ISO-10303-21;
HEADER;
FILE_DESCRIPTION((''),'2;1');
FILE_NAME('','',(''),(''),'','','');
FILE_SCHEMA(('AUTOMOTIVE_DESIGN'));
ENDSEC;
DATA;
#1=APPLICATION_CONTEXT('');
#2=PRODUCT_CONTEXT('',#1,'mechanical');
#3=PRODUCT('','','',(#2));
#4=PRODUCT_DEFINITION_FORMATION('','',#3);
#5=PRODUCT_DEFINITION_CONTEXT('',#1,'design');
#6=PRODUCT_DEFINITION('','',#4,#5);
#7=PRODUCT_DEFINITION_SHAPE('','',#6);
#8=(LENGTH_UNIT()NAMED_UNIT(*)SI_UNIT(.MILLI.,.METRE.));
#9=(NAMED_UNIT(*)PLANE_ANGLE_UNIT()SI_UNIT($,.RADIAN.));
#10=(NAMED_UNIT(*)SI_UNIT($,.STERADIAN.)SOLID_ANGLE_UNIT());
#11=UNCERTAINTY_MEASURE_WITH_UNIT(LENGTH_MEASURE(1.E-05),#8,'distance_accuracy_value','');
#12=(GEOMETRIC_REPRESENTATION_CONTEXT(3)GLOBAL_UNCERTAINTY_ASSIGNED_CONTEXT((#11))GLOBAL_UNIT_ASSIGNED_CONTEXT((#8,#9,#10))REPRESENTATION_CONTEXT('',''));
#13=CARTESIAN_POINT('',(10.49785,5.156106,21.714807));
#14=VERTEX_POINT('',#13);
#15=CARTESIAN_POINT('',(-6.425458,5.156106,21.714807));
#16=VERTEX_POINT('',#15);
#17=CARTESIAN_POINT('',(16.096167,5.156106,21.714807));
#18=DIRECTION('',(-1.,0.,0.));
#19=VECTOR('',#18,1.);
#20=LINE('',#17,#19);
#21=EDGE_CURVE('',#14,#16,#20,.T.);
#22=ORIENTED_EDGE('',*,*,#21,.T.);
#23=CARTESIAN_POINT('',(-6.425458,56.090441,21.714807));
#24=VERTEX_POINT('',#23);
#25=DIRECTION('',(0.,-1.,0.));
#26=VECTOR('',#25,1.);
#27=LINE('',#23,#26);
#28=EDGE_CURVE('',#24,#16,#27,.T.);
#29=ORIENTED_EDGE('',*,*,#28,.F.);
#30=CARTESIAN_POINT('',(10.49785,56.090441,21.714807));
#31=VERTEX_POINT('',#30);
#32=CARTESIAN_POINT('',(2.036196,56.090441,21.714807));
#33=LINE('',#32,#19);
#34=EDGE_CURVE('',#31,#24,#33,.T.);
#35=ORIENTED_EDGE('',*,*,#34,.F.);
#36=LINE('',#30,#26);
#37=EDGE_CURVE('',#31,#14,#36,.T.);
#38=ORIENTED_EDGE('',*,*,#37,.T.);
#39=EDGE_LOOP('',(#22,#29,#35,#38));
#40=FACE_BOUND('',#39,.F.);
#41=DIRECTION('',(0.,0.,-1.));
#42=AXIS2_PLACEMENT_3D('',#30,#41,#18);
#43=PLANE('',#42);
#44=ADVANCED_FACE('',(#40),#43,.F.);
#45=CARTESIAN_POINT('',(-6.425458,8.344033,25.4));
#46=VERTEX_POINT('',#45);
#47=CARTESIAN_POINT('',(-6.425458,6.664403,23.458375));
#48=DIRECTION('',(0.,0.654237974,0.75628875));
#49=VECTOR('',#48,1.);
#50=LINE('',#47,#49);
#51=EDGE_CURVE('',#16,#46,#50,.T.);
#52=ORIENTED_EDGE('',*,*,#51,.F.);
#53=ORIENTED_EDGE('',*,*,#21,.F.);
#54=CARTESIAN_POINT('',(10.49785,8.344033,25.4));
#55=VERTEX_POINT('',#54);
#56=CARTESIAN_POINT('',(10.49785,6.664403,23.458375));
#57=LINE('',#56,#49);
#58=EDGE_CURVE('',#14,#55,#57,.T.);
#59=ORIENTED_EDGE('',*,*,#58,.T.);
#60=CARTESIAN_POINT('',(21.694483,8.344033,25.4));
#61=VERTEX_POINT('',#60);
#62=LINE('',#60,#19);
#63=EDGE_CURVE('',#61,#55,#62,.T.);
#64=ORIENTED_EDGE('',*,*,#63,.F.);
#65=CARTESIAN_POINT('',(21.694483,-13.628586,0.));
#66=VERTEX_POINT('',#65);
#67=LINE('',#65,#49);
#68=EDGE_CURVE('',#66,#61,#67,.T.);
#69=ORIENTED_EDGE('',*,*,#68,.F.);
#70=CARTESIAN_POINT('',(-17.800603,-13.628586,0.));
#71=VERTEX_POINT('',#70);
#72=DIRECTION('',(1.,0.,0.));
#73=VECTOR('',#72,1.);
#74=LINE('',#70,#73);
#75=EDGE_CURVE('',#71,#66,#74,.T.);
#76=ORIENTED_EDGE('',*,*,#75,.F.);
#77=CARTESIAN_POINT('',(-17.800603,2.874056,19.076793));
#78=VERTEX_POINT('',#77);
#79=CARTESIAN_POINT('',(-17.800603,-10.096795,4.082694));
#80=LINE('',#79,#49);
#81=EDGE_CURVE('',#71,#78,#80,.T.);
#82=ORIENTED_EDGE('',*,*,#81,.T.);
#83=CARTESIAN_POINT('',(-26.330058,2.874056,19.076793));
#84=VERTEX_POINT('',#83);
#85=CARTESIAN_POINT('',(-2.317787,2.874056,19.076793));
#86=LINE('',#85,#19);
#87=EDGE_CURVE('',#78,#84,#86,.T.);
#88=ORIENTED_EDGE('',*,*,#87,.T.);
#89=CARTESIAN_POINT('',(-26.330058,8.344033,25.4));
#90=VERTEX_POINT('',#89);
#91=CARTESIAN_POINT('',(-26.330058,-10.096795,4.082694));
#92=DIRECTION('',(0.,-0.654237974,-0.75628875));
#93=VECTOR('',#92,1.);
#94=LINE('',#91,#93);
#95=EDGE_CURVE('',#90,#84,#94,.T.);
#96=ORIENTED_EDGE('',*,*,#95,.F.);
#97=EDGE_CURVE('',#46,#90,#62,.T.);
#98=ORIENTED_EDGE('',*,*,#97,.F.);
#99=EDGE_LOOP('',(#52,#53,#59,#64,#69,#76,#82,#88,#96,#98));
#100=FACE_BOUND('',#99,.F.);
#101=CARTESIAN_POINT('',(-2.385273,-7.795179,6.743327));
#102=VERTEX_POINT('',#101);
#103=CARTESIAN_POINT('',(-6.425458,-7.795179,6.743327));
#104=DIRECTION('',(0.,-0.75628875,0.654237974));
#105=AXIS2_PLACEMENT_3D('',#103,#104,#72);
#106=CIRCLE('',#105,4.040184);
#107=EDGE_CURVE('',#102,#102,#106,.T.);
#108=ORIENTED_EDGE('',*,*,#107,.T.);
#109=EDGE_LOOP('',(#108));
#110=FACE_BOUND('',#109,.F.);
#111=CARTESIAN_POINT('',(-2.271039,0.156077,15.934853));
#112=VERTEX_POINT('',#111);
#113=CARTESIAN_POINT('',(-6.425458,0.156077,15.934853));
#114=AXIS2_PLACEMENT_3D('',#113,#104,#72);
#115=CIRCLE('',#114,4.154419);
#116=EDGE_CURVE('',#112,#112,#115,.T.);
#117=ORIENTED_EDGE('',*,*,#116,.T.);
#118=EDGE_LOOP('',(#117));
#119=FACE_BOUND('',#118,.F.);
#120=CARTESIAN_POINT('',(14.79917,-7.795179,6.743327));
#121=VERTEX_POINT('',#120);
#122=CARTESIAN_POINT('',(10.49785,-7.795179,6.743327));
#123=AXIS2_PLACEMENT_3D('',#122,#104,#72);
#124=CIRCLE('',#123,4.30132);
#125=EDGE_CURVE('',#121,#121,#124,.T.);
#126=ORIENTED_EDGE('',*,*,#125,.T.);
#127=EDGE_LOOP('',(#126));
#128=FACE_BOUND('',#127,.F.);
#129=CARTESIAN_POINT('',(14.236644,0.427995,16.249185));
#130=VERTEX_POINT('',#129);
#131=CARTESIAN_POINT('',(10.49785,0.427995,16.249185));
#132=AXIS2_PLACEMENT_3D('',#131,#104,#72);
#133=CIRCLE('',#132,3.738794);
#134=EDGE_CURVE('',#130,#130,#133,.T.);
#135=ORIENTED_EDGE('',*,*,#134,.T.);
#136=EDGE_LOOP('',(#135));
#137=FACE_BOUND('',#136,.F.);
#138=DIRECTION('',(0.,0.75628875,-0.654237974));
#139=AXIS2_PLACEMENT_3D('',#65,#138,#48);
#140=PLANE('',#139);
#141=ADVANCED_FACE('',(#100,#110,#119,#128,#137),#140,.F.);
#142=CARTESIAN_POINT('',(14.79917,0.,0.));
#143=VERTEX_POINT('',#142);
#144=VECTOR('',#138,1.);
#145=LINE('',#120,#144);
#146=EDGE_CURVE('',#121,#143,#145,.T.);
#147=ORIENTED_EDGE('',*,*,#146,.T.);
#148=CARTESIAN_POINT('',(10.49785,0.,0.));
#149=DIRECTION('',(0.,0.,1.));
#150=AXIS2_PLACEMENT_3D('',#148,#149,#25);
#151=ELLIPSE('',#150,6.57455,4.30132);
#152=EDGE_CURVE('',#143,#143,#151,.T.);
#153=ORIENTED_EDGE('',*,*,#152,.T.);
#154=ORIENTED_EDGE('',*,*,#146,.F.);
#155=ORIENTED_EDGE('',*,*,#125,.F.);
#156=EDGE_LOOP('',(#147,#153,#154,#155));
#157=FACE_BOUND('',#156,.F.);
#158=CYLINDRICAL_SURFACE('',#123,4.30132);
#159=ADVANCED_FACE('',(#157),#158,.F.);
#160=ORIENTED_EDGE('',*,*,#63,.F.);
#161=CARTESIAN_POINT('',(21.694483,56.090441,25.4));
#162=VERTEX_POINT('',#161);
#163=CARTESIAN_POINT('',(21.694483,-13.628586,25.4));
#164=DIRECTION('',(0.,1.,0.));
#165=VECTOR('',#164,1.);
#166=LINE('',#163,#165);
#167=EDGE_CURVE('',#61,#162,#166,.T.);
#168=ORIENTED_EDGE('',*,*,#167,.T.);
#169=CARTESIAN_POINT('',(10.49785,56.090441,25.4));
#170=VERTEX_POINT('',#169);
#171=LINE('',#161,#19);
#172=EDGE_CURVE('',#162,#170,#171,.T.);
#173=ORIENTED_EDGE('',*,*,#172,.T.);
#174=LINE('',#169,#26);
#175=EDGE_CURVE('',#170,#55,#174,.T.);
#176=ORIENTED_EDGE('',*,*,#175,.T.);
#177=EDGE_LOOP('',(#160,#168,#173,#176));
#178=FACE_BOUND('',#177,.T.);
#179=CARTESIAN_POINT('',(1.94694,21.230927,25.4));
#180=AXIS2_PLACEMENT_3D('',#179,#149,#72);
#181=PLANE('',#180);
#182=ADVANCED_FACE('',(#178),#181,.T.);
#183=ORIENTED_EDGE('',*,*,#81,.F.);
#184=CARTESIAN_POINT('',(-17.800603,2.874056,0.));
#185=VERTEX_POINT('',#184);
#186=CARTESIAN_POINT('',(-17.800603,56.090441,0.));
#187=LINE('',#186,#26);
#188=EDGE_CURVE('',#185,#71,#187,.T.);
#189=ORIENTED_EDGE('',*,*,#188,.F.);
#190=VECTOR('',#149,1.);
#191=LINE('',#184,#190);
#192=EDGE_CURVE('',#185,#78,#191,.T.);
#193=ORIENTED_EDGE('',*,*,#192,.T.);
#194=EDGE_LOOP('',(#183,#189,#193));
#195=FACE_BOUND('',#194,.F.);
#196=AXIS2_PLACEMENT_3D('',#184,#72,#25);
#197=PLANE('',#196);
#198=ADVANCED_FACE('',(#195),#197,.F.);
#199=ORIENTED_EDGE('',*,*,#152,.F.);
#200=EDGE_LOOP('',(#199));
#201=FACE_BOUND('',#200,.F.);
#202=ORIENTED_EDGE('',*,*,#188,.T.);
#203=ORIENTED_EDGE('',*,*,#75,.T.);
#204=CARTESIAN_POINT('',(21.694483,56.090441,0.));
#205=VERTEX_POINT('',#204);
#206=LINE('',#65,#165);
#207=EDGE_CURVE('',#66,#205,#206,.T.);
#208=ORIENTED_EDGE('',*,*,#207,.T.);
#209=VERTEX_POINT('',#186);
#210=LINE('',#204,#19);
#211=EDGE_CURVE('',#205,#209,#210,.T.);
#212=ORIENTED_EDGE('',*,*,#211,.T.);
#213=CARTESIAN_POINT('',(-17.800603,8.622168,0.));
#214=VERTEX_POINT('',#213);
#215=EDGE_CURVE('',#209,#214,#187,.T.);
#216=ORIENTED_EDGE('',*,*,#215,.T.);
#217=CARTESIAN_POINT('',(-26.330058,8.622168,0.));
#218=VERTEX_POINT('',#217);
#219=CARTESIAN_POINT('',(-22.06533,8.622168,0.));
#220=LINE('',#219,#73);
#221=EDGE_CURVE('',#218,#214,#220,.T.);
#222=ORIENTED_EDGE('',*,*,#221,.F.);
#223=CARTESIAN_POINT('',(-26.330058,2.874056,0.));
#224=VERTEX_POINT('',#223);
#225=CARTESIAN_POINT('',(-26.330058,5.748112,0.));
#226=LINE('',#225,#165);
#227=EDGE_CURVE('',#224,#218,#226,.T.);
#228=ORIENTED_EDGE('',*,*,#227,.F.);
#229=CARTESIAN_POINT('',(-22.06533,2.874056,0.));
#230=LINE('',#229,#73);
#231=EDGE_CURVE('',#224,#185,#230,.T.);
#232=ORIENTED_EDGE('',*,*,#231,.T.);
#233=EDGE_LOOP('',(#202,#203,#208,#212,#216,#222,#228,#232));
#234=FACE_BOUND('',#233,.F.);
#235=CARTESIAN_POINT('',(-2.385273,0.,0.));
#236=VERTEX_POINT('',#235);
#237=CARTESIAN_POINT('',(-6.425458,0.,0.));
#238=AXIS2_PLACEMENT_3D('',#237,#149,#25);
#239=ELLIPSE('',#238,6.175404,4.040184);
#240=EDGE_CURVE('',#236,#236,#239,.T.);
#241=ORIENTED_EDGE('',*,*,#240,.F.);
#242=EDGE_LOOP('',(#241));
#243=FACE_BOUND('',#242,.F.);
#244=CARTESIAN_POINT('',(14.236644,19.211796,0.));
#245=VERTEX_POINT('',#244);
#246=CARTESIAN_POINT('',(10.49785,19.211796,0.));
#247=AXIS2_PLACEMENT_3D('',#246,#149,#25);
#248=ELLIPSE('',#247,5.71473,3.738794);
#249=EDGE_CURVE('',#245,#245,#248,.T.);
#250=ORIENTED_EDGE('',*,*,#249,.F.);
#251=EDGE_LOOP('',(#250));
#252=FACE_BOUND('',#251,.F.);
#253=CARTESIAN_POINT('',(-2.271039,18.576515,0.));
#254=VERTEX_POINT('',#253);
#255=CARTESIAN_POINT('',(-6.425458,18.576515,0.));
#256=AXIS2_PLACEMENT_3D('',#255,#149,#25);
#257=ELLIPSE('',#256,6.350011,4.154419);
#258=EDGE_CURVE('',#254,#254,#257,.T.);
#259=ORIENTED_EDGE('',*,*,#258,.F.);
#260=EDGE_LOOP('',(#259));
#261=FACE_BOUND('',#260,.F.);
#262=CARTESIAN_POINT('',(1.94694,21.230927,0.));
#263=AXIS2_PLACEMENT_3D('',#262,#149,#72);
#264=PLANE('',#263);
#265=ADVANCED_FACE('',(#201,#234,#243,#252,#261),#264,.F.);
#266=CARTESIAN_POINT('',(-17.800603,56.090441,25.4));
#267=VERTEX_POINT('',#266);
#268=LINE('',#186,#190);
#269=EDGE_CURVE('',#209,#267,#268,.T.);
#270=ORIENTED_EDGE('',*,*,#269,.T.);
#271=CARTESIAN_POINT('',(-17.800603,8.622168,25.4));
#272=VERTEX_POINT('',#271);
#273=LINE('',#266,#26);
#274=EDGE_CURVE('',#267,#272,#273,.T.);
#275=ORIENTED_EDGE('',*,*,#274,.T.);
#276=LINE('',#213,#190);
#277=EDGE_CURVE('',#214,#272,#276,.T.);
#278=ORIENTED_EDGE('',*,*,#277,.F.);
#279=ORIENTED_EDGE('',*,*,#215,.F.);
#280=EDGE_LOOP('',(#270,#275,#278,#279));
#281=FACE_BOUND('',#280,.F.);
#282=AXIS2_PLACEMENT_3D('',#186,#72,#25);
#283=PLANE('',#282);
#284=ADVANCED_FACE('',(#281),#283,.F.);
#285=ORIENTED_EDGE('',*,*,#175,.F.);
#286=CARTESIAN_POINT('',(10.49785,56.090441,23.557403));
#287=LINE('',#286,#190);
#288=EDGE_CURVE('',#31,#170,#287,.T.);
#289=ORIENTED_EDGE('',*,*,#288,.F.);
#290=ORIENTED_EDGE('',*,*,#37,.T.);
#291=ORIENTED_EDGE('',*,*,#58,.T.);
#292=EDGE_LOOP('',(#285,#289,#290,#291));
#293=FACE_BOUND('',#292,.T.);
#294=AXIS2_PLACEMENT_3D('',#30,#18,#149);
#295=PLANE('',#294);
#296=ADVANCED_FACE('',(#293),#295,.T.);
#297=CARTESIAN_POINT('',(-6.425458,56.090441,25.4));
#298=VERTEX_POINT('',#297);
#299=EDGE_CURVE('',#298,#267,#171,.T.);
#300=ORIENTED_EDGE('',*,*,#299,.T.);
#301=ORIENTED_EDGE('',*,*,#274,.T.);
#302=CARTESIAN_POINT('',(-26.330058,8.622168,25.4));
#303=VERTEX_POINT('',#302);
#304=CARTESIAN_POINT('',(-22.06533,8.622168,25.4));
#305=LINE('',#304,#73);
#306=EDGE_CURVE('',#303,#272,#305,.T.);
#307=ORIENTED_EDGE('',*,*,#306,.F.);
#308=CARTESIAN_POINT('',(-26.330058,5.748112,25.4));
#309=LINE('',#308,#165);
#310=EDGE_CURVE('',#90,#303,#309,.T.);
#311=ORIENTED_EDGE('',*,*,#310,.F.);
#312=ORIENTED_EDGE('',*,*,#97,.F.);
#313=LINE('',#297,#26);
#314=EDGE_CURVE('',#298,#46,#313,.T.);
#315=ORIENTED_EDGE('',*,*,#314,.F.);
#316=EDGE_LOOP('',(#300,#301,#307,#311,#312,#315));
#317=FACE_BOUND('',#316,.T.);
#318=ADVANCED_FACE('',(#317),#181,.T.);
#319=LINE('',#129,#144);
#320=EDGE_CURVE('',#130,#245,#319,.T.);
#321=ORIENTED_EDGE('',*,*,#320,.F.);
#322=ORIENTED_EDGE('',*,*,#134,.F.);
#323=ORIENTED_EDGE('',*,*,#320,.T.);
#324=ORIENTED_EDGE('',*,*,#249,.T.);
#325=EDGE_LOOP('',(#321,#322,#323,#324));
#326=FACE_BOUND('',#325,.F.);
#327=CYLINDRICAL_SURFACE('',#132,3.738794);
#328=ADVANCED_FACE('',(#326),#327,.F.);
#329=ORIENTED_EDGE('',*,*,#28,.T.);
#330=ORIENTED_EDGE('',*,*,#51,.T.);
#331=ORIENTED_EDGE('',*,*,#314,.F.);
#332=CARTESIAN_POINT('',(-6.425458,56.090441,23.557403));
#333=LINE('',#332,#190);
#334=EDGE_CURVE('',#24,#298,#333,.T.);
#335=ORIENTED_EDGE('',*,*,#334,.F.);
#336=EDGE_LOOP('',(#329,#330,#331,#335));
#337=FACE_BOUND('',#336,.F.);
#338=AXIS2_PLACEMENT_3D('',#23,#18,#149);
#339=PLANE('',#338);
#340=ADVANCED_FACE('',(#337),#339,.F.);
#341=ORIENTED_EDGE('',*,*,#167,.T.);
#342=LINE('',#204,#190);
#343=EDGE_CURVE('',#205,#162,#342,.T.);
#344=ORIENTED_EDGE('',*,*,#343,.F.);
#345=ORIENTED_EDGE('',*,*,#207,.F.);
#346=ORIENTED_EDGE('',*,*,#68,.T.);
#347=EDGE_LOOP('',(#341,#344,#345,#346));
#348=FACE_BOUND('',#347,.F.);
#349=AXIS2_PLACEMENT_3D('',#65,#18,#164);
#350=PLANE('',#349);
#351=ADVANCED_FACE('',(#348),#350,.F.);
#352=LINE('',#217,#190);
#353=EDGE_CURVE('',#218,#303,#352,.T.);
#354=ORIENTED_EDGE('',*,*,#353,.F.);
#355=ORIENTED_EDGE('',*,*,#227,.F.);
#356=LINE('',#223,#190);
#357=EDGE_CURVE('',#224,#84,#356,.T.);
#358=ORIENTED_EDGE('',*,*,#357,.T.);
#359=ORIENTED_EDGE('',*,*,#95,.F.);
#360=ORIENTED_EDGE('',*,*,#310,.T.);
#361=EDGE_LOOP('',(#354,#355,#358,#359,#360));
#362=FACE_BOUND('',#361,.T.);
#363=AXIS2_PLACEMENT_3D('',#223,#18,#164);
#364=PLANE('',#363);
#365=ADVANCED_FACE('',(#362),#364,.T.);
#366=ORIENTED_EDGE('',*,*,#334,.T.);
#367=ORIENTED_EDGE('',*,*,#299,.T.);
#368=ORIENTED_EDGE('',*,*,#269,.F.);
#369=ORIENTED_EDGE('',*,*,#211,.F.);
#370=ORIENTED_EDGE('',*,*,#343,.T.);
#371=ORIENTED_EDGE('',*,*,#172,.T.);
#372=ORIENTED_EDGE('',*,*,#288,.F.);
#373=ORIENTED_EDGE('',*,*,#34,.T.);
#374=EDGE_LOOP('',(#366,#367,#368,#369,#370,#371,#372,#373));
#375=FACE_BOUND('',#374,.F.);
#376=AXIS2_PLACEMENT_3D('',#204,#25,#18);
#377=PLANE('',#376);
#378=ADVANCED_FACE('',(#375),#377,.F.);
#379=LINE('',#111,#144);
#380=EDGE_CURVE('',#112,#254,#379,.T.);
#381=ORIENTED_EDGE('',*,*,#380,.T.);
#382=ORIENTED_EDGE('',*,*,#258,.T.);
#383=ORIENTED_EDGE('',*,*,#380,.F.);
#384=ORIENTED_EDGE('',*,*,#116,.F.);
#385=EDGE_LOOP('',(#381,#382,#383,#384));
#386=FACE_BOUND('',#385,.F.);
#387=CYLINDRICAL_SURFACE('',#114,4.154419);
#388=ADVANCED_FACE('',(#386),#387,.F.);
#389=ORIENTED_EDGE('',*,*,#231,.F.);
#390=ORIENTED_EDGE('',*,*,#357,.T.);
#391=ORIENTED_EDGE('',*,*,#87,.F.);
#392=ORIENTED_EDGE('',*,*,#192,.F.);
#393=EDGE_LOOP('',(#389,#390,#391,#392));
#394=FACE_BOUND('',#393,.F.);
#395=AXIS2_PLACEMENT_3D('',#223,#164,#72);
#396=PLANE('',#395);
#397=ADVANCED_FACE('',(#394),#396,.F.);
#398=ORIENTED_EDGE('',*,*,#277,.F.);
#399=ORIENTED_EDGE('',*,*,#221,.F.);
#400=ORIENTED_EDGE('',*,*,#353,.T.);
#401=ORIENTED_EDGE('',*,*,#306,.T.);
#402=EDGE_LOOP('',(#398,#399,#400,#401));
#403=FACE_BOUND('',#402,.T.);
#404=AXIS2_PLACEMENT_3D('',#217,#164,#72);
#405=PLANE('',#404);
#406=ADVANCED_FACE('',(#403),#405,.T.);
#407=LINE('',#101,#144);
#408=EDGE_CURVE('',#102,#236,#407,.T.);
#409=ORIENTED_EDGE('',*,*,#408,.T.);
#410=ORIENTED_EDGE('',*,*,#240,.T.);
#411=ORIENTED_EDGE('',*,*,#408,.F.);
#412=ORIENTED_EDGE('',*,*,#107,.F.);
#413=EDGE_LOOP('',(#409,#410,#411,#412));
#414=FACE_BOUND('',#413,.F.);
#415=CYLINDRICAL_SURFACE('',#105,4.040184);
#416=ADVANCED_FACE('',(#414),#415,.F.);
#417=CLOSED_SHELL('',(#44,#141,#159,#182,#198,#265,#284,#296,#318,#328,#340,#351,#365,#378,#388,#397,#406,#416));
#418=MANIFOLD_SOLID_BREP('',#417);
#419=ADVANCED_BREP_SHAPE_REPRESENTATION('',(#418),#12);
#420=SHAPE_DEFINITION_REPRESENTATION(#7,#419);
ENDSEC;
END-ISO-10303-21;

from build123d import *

# Parameters (mm, degrees)
F1_W     = 8.5294544697
F1_H     = 5.7481119875
F2_DEPTH = 25.4
F4_DEPTH = 48.0255407671
F5_W     = 16.9233079068
F5_H     = 3.6851934433
F6_DEPTH = 69.7200267965
F7_R     = 4.0401840977
F7_R_2   = 4.3013200875
F7_R_3   = 4.1544186405
F7_R_4   = 3.7387935899
F8_DEPTH = 52.7287156055


with BuildPart() as f2:
    # F1 (on face) → F2 (new body)
    with BuildSketch(Plane.XY):
        Polygon((21.6944832355, -13.6285861954), (21.6944832355, 56.0904406011), (-17.8006030619, 56.0904406011), (-17.8006030619, 8.622167632), (-17.8006030619, 2.8740556445), (-17.8006030619, -13.6285861954), align=None)
        with Locations((-22.0653302968, 5.7481116382)):
            Rectangle(F1_W, F1_H)
    extrude(amount=F2_DEPTH)

    # F3 (on face) → F4 (cut, through all)
    with BuildSketch(Plane.YZ.offset(21.6944832355)):
        Polygon((-13.6285861954, 25.4), (-13.6285861954, 0), (8.3440328017, 25.4), align=None)
    extrude(amount=-F4_DEPTH, mode=Mode.SUBTRACT)

    # F5 (on face) → F6 (cut, through all)
    with BuildSketch(Plane(origin=(0, 56.0904406011, 0), x_dir=(-1, 0, 0), z_dir=(0, 1, 0))):
        with Locations((-2.0361964125, 23.5574032784)):
            Rectangle(F5_W, F5_H)
    extrude(amount=-F6_DEPTH, mode=Mode.SUBTRACT)

    # F7 (on face) → F8 (cut, through all)
    with BuildSketch(Plane(origin=(0, -7.7951788741, 6.7433265912), x_dir=(1, 0, 0), z_dir=(0, -0.7562887497, 0.6542379744))):
        with Locations((-6.4254575409, 0)):
            Circle(F7_R)
        with Locations((10.4978503659, 0)):
            Circle(F7_R_2)
        with Locations((-6.4254575409, 12.1534615755)):
            Circle(F7_R_3)
        with Locations((10.4978503659, 12.5690866262)):
            Circle(F7_R_4)
    extrude(amount=-F8_DEPTH, mode=Mode.SUBTRACT)


solid = f2.part
